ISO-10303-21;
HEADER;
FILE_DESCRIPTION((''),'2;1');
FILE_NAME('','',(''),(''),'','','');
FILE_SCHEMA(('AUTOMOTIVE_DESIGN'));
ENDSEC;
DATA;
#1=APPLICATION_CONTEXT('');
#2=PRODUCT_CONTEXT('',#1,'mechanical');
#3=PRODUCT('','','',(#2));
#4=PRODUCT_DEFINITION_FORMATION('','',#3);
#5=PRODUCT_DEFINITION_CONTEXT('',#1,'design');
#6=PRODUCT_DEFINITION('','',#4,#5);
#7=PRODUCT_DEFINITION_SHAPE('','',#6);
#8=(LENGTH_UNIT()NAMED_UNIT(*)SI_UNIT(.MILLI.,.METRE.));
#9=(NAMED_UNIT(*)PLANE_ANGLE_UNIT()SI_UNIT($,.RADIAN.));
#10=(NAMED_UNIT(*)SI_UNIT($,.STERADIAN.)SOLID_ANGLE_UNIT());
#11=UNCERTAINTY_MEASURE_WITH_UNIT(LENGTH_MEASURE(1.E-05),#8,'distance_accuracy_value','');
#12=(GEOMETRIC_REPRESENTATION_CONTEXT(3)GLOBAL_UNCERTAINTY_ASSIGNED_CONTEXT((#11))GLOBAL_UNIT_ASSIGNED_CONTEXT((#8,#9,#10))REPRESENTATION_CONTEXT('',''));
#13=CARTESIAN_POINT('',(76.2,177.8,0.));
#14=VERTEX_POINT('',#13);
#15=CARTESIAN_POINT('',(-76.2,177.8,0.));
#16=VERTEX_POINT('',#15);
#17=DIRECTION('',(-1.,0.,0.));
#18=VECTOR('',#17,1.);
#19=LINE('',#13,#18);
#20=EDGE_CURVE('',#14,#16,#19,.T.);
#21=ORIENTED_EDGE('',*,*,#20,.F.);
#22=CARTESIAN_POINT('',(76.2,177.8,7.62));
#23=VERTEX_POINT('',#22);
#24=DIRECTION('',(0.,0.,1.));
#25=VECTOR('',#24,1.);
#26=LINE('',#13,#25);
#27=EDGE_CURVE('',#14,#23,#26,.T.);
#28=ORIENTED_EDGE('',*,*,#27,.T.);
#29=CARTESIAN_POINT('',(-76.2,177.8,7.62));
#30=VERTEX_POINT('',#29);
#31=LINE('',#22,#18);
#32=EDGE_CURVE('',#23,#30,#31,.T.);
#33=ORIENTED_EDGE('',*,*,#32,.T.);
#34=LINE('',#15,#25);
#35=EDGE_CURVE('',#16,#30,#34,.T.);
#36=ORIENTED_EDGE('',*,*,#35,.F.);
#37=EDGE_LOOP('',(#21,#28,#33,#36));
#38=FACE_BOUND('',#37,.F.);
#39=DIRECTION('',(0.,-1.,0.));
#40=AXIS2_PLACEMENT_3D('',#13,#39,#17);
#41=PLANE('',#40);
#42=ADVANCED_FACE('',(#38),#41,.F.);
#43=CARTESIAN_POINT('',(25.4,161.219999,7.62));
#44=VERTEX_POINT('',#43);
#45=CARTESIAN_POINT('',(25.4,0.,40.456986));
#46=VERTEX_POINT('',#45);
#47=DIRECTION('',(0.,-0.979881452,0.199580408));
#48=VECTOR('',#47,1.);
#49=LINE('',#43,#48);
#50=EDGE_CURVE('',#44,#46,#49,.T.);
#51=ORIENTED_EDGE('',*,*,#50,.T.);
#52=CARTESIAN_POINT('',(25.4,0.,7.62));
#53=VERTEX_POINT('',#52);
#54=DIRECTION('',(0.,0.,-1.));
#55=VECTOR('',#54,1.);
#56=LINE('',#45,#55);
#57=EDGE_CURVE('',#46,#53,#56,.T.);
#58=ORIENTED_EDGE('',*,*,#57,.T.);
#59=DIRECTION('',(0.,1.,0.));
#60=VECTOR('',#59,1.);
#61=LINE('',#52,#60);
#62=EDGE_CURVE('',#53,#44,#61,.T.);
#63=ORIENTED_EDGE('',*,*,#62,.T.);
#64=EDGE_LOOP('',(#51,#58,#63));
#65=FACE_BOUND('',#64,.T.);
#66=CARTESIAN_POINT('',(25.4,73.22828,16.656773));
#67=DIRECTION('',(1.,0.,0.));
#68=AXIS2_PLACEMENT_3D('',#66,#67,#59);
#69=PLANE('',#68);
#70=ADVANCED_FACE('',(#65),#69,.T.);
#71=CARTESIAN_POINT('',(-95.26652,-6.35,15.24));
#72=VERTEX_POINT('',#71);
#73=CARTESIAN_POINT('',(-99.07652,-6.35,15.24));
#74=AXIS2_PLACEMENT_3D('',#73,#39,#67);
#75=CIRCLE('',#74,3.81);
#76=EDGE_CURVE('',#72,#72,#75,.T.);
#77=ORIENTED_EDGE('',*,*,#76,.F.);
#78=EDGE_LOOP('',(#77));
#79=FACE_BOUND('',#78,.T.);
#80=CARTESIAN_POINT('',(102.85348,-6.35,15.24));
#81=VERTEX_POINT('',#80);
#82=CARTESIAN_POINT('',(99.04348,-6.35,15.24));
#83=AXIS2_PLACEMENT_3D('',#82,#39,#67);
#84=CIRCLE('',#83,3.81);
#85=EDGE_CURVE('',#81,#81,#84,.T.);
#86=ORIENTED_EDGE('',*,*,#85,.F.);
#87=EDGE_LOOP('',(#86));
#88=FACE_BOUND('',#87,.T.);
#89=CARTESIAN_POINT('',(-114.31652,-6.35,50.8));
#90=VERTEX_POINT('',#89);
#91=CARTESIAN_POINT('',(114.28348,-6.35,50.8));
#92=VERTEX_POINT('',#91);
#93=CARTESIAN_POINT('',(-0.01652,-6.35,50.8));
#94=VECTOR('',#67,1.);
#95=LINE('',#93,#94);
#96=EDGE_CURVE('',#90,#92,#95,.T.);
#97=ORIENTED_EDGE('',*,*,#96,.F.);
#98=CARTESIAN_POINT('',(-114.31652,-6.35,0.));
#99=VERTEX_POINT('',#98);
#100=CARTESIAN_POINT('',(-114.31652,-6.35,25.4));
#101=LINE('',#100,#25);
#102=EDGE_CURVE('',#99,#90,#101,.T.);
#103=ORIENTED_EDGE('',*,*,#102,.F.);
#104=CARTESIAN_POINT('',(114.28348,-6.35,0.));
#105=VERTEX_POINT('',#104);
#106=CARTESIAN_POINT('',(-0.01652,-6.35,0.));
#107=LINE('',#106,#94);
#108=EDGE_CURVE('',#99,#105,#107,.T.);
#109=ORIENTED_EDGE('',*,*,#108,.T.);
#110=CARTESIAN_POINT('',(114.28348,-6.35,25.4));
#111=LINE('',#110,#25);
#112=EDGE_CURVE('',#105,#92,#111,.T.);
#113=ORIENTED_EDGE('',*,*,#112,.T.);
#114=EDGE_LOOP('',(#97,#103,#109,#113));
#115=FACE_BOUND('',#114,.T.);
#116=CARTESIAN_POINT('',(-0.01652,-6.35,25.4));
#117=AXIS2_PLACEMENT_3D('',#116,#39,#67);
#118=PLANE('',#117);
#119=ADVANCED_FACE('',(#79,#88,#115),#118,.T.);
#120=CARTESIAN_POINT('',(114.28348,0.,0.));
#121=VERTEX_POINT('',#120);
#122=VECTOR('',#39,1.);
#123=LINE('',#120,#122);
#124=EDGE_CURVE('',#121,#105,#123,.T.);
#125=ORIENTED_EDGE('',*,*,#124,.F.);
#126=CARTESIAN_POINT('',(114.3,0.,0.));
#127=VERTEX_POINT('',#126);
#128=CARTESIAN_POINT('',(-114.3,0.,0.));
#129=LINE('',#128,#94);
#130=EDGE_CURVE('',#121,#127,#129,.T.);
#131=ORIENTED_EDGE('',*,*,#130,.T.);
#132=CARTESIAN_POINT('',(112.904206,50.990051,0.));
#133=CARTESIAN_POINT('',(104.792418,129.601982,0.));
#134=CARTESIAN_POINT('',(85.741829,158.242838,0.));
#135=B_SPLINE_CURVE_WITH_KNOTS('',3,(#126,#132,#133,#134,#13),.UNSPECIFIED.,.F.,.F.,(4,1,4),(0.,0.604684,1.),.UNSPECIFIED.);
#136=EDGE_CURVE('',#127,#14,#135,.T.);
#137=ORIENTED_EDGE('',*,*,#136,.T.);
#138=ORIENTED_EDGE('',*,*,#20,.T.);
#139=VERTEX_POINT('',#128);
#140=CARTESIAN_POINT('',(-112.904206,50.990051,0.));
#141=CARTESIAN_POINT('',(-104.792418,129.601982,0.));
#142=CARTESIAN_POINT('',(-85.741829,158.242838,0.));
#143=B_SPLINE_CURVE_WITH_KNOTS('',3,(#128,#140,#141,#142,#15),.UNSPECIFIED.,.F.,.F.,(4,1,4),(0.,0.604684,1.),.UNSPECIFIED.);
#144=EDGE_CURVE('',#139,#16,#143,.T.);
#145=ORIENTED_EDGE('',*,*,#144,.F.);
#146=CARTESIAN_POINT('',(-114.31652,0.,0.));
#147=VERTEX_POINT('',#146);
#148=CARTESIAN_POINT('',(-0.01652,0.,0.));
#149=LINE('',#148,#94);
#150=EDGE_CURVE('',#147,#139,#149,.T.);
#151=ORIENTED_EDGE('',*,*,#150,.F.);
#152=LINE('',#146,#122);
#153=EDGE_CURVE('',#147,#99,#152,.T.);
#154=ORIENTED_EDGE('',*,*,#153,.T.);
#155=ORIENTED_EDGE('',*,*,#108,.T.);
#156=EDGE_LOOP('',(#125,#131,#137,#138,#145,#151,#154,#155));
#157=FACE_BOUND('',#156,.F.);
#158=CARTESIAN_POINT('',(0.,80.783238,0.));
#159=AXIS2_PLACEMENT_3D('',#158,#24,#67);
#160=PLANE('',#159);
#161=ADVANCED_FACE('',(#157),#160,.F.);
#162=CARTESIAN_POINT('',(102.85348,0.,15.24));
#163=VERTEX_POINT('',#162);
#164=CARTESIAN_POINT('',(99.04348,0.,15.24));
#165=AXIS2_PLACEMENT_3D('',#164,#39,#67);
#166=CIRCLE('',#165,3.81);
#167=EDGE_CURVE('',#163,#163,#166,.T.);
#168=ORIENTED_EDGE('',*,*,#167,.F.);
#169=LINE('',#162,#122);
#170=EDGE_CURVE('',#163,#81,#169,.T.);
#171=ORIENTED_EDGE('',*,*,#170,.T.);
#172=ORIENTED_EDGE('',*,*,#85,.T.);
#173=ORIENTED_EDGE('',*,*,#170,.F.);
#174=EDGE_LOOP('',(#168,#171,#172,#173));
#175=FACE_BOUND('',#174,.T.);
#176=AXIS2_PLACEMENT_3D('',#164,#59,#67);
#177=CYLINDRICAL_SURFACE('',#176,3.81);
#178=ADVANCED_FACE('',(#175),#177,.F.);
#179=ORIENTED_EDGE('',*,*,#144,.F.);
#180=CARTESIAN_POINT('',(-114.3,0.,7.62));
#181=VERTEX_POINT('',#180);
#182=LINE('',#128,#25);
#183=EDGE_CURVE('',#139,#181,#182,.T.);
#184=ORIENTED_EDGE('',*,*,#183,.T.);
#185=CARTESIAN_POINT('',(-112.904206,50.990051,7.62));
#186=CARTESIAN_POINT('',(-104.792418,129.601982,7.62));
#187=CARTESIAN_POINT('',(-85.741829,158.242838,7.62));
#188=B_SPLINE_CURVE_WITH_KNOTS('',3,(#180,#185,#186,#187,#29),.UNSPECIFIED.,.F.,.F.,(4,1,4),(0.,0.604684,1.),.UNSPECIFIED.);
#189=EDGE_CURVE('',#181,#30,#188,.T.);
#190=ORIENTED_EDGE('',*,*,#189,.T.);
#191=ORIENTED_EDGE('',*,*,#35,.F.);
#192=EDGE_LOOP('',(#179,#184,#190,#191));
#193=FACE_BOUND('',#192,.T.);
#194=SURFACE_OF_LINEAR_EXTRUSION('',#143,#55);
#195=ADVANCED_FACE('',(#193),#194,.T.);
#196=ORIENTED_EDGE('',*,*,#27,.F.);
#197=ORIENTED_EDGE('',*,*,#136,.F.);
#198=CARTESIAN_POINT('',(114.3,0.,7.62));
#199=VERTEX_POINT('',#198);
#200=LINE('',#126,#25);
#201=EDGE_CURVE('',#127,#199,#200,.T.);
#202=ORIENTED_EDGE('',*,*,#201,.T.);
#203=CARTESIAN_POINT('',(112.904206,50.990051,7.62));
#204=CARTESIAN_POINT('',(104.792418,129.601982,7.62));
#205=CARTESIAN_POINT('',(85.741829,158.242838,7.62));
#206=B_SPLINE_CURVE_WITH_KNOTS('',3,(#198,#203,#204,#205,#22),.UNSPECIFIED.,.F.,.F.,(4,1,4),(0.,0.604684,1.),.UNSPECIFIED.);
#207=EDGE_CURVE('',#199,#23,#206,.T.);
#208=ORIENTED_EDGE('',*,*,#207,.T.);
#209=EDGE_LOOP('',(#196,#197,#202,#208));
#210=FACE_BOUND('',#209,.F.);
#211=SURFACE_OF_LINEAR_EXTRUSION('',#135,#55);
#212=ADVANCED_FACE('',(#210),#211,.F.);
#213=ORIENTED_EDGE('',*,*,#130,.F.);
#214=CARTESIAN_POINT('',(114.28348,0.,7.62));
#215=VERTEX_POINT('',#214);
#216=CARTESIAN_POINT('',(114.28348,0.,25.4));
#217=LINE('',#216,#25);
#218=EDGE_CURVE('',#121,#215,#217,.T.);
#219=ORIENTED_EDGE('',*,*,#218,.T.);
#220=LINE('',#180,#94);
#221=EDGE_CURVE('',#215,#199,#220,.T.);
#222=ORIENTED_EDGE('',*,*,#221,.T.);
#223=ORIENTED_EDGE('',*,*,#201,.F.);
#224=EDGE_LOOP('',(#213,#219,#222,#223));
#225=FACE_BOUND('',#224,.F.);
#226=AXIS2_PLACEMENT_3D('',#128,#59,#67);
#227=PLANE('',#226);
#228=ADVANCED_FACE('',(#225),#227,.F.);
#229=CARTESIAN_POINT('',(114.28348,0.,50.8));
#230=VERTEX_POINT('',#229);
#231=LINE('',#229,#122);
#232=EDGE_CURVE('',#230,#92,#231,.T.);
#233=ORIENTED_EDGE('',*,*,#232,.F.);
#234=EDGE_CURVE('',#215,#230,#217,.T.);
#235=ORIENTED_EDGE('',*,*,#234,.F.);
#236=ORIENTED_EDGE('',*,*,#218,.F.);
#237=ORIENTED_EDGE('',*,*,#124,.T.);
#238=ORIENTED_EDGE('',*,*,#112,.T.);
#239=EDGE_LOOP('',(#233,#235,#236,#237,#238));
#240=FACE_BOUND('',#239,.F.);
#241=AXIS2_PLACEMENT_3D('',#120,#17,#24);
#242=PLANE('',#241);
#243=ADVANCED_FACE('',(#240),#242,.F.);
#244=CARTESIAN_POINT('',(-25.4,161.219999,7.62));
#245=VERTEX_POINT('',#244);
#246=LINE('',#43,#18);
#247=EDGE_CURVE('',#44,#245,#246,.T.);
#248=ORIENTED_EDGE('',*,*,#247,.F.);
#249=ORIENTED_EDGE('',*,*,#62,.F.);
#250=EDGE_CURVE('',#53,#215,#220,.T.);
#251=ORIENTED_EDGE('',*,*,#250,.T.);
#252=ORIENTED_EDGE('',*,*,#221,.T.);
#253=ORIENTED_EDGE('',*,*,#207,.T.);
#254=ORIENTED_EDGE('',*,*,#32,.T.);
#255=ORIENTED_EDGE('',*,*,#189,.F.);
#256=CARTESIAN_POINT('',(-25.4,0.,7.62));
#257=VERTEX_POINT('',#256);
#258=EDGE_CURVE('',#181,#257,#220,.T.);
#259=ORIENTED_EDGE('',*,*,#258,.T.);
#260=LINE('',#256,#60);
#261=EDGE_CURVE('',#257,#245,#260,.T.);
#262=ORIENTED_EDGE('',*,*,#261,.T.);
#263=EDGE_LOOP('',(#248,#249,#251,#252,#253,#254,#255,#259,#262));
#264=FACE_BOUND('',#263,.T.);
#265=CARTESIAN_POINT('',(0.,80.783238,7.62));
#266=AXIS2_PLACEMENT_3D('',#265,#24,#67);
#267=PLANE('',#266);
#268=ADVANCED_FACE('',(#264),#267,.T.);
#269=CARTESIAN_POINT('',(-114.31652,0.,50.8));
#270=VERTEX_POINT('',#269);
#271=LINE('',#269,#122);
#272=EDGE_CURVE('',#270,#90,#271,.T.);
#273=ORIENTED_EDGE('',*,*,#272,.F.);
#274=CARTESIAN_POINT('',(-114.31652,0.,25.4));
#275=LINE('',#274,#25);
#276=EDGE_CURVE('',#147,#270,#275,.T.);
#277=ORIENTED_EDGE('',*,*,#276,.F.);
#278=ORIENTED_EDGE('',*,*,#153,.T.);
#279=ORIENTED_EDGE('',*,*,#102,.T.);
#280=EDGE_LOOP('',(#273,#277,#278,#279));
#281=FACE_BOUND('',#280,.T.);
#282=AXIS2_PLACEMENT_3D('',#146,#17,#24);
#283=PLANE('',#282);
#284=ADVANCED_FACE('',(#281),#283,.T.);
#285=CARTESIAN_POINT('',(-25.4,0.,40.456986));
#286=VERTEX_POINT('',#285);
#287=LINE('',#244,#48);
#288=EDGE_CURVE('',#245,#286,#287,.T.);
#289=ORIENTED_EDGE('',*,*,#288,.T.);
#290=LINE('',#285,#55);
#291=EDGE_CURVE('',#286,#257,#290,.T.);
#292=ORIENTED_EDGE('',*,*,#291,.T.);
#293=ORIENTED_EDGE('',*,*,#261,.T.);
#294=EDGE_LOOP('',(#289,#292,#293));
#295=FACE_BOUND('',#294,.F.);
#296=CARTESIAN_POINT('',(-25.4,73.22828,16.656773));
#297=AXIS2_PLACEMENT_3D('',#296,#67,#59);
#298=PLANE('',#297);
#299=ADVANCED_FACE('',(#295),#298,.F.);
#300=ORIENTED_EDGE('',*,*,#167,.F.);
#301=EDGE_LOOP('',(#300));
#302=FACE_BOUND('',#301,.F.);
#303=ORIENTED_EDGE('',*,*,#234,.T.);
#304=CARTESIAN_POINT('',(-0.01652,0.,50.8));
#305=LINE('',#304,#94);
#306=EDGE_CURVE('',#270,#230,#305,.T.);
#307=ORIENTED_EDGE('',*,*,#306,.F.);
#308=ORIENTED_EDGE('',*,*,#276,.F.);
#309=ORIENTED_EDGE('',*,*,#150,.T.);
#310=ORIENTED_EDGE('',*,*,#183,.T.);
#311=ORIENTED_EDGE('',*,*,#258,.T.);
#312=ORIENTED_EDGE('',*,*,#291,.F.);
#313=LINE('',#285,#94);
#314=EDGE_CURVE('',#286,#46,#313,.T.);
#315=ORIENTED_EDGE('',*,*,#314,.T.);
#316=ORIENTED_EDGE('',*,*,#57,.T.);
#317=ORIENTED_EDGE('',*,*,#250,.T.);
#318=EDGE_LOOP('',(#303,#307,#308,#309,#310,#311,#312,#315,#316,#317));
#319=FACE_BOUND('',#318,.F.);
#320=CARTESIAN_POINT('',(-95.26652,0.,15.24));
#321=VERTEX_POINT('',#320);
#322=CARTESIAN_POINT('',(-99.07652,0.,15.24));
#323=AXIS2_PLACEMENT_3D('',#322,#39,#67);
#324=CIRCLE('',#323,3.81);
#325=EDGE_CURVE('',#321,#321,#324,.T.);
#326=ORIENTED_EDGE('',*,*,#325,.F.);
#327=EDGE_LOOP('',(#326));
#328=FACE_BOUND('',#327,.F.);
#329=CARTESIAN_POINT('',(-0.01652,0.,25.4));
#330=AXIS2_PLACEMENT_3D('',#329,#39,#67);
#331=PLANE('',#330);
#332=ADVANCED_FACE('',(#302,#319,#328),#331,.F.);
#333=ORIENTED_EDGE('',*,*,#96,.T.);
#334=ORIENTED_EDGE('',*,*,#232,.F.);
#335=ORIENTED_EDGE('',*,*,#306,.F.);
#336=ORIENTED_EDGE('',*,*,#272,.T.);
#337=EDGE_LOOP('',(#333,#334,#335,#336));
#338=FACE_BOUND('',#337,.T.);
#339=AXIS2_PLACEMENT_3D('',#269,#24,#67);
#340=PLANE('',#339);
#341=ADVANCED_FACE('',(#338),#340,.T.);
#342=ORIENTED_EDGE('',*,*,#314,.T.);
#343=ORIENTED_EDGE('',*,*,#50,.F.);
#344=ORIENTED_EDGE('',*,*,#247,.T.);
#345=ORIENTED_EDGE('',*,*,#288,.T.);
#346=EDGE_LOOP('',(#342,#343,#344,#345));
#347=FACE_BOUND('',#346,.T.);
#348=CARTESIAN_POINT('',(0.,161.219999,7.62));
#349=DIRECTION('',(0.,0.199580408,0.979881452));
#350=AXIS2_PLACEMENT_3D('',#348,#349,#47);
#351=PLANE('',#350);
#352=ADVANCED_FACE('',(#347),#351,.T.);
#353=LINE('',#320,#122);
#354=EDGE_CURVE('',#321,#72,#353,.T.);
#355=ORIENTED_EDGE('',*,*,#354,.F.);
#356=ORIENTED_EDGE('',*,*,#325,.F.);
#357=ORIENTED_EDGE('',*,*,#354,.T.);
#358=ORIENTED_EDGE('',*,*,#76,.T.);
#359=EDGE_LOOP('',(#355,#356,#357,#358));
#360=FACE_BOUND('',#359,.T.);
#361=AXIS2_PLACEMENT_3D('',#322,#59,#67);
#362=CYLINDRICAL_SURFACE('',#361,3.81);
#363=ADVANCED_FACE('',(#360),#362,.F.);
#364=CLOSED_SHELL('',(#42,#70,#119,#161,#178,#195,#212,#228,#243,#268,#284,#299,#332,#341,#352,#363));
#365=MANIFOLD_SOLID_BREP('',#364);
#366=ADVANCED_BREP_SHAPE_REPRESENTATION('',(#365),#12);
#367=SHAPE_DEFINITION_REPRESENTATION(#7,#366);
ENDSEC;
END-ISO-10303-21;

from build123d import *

# Parameters (mm, degrees)
F1_W          = 228.6
F1_H          = 50.8
F1_R          = 3.81
F2_DEPTH      = 6.35
F3_DEPTH      = 7.62
F5_DEPTH      = 25.4
F5_DEPTH_BACK = 25.4


with BuildPart() as f2:
    # F1 (on Front) → F2 (new body)
    with BuildSketch(Plane.XZ):
        with Locations((-0.0165204967, 25.4)):
            Rectangle(F1_W, F1_H)
        with Locations((-99.0765204967, 15.24)):
            Circle(F1_R, mode=Mode.SUBTRACT)
        with Locations((99.0434795033, 15.24)):
            Circle(F1_R, mode=Mode.SUBTRACT)
    extrude(amount=F2_DEPTH)

    # F0 (on Top) → F3 (join)
    with BuildSketch(Plane.XY):
        with BuildLine():
            Line((-114.3, 0), (0, 0))
            Line((0, 0), (114.3, 0))
            add(Edge.make_bspline(
                [(114.3, 0), (112.9042055321, 50.9900506367), (104.7924183286, 129.6019823877), (85.741828675, 158.2428378306), (76.2, 177.8)],
                knots=[0, 0, 0, 0, 0.604684, 1, 1, 1, 1], degree=3))
            Line((76.2, 177.8), (0, 177.8))
            Line((0, 177.8), (-76.2, 177.8))
            add(Edge.make_bspline(
                [(-114.3, 0), (-112.9042055321, 50.9900506367), (-104.7924183286, 129.6019823877), (-85.741828675, 158.2428378306), (-76.2, 177.8)],
                knots=[0, 0, 0, 0, 0.604684, 1, 1, 1, 1], degree=3))
        make_face()
    extrude(amount=F3_DEPTH)

    # F4 (on Right) → F5 (join, two sides)
    with BuildSketch(Plane.YZ) as f5_sk:
        Polygon((161.2199991941, 7.62), (0, 40.4569857569), (0, 7.62), align=None)
    extrude(amount=F5_DEPTH)
    extrude(f5_sk.sketch, amount=-F5_DEPTH_BACK)


solid = f2.part
